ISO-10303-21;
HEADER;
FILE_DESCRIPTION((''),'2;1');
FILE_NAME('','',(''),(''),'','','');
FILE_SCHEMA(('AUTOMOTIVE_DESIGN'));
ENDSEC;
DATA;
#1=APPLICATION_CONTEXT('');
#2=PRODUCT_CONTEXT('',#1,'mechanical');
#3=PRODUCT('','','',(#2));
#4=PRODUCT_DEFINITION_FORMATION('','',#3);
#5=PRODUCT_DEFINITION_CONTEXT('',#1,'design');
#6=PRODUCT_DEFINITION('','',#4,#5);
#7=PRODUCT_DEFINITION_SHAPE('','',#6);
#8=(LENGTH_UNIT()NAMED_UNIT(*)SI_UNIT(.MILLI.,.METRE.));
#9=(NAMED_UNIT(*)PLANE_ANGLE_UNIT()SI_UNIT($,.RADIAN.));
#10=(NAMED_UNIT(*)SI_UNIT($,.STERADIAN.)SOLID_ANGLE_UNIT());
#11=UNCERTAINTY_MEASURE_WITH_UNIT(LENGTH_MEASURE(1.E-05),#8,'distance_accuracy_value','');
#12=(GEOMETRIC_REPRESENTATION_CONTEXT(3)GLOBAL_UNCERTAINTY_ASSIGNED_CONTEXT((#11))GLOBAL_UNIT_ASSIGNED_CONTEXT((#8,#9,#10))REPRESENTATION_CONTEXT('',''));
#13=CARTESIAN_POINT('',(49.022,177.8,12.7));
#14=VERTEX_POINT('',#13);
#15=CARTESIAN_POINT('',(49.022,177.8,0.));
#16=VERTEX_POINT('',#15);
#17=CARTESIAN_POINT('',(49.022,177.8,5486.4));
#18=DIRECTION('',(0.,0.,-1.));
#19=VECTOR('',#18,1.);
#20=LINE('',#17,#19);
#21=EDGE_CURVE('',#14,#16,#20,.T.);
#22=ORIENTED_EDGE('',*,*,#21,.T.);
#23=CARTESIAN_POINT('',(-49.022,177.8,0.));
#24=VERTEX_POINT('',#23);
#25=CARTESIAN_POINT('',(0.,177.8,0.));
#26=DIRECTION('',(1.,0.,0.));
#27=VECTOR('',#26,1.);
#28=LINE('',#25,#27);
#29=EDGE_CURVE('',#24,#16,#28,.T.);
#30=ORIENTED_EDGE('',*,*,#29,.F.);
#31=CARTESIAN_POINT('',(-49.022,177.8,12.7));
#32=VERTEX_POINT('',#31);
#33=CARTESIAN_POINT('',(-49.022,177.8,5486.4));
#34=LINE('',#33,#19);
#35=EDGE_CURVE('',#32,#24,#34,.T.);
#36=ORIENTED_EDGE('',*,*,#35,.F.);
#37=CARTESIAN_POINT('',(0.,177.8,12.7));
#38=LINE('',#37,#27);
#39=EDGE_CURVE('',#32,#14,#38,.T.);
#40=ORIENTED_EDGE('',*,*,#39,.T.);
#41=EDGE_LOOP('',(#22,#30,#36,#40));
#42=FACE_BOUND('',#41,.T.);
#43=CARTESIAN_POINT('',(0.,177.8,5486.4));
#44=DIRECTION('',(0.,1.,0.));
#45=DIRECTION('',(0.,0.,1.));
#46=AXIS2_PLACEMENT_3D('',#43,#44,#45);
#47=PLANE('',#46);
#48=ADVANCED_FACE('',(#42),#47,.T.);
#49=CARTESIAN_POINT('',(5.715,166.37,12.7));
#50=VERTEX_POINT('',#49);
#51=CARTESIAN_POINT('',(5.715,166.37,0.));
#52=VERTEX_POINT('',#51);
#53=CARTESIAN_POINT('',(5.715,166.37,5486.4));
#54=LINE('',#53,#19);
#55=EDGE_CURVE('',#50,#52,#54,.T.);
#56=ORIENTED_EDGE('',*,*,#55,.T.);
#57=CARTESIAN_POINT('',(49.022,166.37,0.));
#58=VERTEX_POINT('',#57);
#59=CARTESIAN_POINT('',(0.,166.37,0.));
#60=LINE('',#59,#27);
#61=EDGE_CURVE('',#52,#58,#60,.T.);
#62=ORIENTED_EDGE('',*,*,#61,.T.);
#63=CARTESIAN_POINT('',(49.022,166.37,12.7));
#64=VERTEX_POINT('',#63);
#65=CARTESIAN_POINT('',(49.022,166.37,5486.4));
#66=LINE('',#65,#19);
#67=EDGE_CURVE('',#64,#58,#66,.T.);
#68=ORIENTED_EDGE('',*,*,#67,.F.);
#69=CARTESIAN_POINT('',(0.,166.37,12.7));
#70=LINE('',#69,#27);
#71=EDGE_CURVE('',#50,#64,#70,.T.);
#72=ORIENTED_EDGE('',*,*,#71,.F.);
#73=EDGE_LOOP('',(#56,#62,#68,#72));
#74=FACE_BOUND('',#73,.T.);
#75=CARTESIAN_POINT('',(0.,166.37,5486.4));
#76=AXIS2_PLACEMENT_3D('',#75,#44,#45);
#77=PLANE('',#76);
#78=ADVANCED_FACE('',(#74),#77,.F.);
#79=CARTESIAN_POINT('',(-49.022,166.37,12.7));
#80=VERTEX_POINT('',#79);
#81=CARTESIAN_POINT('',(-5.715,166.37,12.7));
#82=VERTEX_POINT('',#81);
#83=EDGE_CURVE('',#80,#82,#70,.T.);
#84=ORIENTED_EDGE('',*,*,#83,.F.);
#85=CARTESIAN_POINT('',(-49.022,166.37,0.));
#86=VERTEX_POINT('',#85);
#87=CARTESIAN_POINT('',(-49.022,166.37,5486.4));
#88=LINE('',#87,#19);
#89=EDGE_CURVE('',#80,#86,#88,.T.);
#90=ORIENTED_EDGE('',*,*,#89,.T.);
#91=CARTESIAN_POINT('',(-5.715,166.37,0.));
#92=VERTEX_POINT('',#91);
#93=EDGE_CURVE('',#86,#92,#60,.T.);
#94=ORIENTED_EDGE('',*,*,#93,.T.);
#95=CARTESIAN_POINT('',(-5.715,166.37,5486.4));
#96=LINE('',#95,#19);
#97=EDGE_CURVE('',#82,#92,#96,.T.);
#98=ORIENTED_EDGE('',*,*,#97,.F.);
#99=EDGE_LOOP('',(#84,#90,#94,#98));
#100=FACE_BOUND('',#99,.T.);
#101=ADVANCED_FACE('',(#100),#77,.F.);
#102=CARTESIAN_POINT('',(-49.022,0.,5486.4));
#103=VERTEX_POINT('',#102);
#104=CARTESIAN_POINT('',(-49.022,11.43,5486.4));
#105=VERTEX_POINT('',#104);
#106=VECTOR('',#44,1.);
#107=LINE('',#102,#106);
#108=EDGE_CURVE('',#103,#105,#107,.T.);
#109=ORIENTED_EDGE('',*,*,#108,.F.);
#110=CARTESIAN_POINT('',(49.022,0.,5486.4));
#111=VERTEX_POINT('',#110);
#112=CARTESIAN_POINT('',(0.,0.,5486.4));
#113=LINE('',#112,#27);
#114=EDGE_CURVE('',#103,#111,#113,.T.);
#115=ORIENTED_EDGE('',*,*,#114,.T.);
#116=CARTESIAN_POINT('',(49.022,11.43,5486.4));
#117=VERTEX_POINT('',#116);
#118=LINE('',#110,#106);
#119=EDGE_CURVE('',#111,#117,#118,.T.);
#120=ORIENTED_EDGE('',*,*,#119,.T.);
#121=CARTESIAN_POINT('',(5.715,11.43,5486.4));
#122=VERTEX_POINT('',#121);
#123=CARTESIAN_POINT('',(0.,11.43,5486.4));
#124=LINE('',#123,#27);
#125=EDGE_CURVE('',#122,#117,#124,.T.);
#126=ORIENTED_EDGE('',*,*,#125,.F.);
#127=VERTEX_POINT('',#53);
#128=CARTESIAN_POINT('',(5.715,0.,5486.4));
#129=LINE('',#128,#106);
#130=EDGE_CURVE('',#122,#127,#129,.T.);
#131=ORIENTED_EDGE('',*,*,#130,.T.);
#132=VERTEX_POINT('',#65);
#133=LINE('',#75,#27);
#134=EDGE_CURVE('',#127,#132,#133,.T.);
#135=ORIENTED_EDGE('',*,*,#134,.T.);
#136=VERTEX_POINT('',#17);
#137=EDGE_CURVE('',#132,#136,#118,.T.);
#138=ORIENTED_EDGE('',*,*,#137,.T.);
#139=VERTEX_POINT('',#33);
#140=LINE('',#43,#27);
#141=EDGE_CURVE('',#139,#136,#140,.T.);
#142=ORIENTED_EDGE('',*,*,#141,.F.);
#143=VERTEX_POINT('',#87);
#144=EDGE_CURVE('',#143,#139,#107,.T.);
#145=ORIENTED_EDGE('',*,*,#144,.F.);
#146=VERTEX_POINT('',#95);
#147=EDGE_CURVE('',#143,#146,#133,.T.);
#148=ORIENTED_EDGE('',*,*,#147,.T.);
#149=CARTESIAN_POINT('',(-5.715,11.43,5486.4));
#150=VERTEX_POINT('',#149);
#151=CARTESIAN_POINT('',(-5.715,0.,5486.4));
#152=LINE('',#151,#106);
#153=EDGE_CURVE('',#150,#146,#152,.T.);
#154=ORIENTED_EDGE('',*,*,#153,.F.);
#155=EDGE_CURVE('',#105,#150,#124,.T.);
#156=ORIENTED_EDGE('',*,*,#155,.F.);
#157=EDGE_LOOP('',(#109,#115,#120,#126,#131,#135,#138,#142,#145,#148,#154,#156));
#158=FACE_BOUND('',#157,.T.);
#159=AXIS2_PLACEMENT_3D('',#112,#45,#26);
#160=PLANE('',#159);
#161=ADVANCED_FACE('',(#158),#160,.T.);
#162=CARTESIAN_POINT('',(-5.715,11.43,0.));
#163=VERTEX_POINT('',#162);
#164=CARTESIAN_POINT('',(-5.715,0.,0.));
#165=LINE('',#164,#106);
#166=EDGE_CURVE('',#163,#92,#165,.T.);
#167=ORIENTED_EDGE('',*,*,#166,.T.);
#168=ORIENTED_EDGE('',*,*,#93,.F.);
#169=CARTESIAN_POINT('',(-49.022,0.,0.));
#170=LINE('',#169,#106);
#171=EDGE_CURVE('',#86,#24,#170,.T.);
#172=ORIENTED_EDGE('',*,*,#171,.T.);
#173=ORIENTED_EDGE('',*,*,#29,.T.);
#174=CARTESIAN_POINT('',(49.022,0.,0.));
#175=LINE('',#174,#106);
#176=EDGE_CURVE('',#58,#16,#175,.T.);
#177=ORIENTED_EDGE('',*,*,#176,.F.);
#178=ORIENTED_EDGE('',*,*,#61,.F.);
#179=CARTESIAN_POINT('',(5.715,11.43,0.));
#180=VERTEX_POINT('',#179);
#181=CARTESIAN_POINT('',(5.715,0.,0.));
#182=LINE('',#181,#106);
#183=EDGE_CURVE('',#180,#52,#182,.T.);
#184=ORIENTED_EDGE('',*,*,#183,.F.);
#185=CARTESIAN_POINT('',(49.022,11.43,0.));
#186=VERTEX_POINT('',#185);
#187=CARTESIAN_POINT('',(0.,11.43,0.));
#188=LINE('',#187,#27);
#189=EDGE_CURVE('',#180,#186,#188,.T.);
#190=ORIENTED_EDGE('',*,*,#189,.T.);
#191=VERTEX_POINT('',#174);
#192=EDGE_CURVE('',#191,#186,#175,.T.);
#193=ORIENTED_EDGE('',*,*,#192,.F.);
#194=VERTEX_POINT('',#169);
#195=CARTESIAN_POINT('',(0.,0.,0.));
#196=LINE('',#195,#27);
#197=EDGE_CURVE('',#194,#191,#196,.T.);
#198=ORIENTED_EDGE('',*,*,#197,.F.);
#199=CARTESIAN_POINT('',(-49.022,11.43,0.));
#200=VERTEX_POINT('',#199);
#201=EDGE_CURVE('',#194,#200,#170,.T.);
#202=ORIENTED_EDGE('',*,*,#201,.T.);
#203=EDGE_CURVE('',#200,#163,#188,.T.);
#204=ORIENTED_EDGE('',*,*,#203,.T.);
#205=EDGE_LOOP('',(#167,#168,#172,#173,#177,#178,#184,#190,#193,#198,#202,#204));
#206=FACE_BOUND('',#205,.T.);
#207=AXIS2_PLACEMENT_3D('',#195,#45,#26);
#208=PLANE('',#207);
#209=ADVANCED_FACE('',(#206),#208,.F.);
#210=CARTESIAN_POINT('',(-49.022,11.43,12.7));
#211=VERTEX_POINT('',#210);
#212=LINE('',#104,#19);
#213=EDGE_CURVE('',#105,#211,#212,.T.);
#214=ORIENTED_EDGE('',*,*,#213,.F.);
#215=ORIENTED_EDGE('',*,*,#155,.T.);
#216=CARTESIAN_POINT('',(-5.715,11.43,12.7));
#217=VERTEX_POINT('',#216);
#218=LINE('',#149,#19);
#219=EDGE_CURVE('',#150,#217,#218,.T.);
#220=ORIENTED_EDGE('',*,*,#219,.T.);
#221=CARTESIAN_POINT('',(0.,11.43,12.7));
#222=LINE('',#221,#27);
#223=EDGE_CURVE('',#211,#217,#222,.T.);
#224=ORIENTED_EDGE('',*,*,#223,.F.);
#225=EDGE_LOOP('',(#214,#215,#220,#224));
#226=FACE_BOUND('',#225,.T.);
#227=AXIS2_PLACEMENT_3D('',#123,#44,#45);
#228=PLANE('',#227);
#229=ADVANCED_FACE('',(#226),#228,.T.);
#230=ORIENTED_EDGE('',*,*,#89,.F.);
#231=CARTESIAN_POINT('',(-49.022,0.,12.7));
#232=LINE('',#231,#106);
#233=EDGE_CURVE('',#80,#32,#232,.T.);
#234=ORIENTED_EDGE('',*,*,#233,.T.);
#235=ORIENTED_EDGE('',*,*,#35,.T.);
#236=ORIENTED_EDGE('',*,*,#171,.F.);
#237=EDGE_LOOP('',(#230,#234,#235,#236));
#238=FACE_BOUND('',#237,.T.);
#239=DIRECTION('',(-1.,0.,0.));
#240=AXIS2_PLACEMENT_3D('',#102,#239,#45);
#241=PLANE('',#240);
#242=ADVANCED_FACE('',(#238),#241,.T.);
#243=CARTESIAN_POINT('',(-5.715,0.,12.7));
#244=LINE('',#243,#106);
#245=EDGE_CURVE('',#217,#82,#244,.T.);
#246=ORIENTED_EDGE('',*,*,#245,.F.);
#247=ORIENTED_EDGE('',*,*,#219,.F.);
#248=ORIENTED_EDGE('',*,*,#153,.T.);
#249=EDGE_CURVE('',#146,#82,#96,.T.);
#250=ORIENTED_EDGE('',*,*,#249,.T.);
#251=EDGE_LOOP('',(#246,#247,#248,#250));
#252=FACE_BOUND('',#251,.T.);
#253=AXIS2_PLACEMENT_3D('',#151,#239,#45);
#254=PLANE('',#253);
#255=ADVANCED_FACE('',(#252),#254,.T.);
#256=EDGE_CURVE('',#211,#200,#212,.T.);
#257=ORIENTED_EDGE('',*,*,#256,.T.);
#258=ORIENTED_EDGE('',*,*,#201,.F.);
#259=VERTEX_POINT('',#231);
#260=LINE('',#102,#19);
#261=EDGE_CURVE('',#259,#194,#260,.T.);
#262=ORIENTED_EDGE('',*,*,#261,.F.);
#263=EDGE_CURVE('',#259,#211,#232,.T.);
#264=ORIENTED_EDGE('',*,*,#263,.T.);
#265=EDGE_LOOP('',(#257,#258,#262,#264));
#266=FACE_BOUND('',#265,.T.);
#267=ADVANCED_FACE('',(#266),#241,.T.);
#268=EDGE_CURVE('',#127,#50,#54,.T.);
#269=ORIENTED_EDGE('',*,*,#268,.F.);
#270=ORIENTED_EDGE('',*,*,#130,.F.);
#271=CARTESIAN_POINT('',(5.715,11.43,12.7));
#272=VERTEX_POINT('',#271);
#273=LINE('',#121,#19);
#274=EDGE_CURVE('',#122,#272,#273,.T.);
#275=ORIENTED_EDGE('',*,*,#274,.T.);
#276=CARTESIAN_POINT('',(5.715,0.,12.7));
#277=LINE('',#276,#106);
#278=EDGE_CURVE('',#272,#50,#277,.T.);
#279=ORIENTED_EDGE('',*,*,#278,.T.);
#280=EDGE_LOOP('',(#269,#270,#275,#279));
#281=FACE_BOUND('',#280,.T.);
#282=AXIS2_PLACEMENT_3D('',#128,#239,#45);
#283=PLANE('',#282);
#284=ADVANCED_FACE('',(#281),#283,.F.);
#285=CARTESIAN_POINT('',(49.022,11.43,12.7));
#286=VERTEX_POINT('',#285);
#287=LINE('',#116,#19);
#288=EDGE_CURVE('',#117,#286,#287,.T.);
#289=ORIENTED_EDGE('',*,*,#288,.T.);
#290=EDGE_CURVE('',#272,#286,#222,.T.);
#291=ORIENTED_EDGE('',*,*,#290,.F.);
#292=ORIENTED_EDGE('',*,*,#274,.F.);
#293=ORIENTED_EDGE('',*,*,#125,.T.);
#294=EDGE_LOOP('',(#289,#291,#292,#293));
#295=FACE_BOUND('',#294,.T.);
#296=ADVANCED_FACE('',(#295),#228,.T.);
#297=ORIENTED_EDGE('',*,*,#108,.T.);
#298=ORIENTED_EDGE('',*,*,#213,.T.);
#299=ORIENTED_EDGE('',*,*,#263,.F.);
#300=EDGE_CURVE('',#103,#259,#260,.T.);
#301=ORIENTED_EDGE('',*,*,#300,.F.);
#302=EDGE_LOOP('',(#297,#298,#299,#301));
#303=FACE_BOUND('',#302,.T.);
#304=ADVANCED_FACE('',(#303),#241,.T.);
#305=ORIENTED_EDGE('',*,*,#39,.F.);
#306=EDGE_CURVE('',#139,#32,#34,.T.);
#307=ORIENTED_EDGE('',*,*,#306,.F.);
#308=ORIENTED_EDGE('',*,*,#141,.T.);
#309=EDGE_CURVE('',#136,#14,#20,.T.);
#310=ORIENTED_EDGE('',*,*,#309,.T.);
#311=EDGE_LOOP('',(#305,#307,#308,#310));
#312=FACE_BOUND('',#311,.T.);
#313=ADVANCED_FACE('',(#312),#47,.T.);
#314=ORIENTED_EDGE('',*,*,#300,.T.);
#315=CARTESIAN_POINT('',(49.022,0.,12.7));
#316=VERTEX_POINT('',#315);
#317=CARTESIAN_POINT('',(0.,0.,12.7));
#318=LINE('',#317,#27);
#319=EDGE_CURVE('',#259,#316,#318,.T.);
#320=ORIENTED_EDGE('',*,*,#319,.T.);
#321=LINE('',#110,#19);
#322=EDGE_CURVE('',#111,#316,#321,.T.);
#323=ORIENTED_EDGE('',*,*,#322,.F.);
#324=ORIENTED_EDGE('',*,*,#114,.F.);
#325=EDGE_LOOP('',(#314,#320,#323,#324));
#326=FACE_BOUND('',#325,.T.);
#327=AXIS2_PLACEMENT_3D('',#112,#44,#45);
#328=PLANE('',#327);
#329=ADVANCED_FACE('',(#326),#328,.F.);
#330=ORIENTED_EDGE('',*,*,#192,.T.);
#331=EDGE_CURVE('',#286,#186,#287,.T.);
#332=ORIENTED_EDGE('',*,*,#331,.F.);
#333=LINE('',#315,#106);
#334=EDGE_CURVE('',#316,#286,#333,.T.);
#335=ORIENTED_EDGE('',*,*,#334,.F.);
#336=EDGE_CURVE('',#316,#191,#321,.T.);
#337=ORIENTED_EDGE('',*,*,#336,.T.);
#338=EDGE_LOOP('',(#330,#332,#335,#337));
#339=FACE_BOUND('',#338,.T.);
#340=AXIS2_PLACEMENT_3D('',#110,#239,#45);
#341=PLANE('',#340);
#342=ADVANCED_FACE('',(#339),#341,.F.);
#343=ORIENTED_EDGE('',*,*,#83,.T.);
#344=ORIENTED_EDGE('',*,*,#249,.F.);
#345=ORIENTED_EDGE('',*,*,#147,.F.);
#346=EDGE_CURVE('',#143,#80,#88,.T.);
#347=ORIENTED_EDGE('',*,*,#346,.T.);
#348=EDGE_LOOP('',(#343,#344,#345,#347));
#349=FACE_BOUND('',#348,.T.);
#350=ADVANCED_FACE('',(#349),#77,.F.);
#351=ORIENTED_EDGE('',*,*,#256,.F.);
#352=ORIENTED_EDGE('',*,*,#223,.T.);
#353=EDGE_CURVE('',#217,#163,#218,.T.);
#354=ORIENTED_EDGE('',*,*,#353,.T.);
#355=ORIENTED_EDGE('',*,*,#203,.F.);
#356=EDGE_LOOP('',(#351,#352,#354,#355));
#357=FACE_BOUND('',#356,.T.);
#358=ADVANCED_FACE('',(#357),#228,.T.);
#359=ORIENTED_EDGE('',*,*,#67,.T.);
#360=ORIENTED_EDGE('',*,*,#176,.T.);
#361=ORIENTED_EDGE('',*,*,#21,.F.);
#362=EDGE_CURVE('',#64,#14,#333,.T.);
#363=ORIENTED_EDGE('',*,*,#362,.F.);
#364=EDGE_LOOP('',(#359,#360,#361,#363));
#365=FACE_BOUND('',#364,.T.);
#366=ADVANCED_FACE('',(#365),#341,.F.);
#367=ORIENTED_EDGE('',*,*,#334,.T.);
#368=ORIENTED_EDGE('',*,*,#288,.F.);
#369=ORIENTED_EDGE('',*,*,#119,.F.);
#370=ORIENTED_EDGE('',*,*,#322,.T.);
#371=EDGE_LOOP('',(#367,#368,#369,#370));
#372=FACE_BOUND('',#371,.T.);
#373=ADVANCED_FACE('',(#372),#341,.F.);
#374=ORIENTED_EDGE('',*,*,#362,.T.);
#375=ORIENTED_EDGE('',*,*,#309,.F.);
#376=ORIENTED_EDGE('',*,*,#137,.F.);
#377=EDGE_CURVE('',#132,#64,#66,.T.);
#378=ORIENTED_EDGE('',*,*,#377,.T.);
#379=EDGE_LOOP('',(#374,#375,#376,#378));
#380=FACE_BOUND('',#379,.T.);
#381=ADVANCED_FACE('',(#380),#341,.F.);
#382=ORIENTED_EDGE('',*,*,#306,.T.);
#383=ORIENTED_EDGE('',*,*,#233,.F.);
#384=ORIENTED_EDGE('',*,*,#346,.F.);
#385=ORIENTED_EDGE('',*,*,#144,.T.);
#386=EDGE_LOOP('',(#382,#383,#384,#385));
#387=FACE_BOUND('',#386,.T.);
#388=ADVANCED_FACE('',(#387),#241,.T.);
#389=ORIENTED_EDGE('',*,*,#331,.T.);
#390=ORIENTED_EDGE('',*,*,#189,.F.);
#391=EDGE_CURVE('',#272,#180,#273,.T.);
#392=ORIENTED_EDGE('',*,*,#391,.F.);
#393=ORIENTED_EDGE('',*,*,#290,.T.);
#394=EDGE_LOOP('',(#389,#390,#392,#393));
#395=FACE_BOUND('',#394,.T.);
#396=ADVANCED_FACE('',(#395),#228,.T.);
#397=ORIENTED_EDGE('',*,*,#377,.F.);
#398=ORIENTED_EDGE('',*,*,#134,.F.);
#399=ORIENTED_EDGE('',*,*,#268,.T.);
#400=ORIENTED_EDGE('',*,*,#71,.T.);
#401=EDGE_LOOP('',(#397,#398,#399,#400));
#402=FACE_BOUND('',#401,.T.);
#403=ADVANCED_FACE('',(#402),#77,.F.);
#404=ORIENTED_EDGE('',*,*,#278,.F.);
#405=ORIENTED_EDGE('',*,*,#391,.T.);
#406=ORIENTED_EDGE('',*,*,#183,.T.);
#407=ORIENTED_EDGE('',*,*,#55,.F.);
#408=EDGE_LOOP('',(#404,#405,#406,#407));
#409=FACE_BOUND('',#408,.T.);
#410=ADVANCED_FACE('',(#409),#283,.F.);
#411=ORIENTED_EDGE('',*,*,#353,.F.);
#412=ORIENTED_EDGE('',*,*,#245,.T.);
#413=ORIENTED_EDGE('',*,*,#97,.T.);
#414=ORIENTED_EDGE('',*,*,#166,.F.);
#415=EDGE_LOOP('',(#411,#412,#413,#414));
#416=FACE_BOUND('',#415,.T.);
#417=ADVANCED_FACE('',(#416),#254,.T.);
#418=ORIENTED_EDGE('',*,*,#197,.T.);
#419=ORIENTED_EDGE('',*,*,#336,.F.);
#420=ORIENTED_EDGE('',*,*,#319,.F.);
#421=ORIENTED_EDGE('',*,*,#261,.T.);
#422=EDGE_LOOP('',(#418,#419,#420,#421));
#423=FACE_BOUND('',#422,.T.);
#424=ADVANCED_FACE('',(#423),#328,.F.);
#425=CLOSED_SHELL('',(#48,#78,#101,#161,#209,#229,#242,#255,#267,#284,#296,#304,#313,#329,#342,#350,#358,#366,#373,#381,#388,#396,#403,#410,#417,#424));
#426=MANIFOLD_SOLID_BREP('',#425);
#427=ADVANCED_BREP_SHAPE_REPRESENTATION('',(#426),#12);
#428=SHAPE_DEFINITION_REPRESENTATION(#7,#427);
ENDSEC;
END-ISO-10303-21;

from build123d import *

# Parameters (mm, degrees)
SKETCH2_W           = 5.715
SKETCH2_H           = 154.94
BOSS_EXTRUDE1_DEPTH = 5486.4


with BuildPart() as part:
    # Sketch2 → Boss-Extrude1 (new body)
    with BuildSketch(Plane.XY):
        Polygon((-5.715, 166.37), (0, 166.37), (0, 177.8), (-49.022, 177.8), (-49.022, 166.37), align=None)
        Polygon((0, 177.8), (0, 166.37), (5.715, 166.37), (49.022, 166.37), (49.022, 177.8), align=None)
        with Locations((2.8575, 88.9)):
            Rectangle(SKETCH2_W, SKETCH2_H)
        with Locations((-2.8575, 88.9)):
            Rectangle(SKETCH2_W, SKETCH2_H)
        Polygon((-49.022, 11.43), (-49.022, 0), (0, 0), (0, 11.43), (-5.715, 11.43), align=None)
        Polygon((0, 11.43), (0, 0), (49.022, 0), (49.022, 11.43), (5.715, 11.43), align=None)
    extrude(amount=BOSS_EXTRUDE1_DEPTH)


solid = part.part
